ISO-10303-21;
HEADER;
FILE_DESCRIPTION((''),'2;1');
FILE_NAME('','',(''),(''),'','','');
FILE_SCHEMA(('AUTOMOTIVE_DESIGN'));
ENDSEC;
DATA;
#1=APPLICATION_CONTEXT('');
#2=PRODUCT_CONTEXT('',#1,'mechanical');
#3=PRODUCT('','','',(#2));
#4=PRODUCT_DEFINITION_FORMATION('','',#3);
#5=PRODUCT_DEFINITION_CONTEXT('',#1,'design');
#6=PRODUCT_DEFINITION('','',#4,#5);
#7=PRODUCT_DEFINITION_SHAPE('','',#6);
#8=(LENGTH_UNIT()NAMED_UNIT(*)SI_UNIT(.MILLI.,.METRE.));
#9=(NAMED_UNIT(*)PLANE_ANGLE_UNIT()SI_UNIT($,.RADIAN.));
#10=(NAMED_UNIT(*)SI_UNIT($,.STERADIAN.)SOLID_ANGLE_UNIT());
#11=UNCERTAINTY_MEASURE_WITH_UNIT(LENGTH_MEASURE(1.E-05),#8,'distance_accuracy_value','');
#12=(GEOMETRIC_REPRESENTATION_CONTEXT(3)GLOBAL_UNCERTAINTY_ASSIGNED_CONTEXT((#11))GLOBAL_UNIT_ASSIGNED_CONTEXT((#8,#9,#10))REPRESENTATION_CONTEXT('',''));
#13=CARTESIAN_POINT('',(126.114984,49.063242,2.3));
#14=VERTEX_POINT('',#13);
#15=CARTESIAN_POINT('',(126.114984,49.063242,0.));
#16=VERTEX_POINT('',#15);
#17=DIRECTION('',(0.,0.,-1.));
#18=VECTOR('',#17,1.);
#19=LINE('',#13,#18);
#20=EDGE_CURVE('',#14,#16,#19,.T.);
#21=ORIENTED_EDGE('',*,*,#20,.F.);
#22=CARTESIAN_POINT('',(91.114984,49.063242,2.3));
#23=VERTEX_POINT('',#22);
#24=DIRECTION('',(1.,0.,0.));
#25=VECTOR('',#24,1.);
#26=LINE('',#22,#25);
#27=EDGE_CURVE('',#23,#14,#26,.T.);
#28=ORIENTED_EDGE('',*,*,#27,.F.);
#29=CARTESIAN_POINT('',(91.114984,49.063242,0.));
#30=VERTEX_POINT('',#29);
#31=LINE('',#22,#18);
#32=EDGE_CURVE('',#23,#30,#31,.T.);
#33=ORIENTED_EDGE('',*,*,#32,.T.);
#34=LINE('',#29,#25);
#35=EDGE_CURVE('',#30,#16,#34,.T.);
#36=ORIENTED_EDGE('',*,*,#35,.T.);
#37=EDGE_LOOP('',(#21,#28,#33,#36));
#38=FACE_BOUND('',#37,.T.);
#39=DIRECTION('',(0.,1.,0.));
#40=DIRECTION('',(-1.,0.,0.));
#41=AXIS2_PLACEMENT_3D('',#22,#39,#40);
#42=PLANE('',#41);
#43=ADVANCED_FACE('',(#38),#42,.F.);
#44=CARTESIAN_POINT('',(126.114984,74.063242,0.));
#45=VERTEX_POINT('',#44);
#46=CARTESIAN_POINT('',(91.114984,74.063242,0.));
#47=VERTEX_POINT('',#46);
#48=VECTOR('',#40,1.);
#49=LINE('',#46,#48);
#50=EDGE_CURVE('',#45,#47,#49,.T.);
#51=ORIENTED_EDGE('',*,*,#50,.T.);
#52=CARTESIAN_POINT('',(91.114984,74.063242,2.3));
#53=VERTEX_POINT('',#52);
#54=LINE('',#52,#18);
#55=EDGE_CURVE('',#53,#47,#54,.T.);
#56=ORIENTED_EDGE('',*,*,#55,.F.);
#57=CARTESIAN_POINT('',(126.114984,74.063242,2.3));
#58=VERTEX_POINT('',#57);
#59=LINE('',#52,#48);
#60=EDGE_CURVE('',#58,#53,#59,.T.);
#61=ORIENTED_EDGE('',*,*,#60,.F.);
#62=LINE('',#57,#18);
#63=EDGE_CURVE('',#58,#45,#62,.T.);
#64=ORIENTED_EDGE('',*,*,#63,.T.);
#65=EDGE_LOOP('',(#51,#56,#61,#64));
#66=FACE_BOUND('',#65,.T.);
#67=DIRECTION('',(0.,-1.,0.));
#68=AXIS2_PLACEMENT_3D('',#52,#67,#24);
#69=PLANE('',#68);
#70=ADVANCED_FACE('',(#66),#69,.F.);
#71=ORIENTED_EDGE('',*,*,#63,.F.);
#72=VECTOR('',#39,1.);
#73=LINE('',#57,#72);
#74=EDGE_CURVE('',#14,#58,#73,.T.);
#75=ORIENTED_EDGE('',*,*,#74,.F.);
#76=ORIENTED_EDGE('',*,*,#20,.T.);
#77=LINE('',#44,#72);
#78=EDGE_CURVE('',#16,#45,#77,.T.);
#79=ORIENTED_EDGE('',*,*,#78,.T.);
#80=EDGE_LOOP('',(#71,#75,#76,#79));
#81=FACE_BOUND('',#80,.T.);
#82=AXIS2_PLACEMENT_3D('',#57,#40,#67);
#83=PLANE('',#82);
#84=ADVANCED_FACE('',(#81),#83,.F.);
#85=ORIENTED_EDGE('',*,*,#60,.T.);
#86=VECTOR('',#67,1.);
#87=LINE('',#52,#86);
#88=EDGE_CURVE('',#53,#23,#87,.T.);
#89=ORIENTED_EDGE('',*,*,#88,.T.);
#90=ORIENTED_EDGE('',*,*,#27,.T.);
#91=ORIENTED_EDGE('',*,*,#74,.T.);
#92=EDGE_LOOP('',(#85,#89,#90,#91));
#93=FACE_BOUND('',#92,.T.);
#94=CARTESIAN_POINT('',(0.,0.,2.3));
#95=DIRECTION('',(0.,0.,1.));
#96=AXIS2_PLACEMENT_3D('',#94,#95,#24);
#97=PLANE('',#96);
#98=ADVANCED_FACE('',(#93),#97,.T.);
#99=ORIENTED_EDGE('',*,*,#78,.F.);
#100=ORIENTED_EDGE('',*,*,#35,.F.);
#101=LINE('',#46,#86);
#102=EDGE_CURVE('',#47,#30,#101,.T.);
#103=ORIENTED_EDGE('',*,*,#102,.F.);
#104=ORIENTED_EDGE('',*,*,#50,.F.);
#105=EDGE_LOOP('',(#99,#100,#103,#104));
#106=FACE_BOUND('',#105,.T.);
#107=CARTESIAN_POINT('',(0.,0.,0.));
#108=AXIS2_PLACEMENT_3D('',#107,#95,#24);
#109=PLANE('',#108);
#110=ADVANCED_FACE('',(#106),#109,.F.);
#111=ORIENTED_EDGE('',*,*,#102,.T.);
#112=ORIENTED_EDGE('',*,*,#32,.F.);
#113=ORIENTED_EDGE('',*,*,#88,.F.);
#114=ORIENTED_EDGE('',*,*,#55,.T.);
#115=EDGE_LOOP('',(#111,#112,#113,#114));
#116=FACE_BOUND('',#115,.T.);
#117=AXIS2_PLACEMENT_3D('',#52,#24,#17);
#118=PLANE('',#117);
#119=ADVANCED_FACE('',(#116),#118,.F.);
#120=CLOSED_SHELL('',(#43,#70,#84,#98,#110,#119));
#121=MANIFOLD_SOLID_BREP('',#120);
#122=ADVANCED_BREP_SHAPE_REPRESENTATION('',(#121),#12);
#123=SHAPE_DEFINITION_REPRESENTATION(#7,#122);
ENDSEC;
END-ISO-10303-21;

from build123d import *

# Parameters (mm, degrees)
SKETCH_1_W      = 35
SKETCH_1_H      = 25
EXTRUDE_1_DEPTH = 2.3


with BuildPart() as part:
    # 草图1 → 凸台-拉伸1 (new body)
    with BuildSketch(Plane.XY):
        with Locations((108.614983942, 61.563241835)):
            Rectangle(SKETCH_1_W, SKETCH_1_H)
    extrude(amount=EXTRUDE_1_DEPTH)


solid = part.part
